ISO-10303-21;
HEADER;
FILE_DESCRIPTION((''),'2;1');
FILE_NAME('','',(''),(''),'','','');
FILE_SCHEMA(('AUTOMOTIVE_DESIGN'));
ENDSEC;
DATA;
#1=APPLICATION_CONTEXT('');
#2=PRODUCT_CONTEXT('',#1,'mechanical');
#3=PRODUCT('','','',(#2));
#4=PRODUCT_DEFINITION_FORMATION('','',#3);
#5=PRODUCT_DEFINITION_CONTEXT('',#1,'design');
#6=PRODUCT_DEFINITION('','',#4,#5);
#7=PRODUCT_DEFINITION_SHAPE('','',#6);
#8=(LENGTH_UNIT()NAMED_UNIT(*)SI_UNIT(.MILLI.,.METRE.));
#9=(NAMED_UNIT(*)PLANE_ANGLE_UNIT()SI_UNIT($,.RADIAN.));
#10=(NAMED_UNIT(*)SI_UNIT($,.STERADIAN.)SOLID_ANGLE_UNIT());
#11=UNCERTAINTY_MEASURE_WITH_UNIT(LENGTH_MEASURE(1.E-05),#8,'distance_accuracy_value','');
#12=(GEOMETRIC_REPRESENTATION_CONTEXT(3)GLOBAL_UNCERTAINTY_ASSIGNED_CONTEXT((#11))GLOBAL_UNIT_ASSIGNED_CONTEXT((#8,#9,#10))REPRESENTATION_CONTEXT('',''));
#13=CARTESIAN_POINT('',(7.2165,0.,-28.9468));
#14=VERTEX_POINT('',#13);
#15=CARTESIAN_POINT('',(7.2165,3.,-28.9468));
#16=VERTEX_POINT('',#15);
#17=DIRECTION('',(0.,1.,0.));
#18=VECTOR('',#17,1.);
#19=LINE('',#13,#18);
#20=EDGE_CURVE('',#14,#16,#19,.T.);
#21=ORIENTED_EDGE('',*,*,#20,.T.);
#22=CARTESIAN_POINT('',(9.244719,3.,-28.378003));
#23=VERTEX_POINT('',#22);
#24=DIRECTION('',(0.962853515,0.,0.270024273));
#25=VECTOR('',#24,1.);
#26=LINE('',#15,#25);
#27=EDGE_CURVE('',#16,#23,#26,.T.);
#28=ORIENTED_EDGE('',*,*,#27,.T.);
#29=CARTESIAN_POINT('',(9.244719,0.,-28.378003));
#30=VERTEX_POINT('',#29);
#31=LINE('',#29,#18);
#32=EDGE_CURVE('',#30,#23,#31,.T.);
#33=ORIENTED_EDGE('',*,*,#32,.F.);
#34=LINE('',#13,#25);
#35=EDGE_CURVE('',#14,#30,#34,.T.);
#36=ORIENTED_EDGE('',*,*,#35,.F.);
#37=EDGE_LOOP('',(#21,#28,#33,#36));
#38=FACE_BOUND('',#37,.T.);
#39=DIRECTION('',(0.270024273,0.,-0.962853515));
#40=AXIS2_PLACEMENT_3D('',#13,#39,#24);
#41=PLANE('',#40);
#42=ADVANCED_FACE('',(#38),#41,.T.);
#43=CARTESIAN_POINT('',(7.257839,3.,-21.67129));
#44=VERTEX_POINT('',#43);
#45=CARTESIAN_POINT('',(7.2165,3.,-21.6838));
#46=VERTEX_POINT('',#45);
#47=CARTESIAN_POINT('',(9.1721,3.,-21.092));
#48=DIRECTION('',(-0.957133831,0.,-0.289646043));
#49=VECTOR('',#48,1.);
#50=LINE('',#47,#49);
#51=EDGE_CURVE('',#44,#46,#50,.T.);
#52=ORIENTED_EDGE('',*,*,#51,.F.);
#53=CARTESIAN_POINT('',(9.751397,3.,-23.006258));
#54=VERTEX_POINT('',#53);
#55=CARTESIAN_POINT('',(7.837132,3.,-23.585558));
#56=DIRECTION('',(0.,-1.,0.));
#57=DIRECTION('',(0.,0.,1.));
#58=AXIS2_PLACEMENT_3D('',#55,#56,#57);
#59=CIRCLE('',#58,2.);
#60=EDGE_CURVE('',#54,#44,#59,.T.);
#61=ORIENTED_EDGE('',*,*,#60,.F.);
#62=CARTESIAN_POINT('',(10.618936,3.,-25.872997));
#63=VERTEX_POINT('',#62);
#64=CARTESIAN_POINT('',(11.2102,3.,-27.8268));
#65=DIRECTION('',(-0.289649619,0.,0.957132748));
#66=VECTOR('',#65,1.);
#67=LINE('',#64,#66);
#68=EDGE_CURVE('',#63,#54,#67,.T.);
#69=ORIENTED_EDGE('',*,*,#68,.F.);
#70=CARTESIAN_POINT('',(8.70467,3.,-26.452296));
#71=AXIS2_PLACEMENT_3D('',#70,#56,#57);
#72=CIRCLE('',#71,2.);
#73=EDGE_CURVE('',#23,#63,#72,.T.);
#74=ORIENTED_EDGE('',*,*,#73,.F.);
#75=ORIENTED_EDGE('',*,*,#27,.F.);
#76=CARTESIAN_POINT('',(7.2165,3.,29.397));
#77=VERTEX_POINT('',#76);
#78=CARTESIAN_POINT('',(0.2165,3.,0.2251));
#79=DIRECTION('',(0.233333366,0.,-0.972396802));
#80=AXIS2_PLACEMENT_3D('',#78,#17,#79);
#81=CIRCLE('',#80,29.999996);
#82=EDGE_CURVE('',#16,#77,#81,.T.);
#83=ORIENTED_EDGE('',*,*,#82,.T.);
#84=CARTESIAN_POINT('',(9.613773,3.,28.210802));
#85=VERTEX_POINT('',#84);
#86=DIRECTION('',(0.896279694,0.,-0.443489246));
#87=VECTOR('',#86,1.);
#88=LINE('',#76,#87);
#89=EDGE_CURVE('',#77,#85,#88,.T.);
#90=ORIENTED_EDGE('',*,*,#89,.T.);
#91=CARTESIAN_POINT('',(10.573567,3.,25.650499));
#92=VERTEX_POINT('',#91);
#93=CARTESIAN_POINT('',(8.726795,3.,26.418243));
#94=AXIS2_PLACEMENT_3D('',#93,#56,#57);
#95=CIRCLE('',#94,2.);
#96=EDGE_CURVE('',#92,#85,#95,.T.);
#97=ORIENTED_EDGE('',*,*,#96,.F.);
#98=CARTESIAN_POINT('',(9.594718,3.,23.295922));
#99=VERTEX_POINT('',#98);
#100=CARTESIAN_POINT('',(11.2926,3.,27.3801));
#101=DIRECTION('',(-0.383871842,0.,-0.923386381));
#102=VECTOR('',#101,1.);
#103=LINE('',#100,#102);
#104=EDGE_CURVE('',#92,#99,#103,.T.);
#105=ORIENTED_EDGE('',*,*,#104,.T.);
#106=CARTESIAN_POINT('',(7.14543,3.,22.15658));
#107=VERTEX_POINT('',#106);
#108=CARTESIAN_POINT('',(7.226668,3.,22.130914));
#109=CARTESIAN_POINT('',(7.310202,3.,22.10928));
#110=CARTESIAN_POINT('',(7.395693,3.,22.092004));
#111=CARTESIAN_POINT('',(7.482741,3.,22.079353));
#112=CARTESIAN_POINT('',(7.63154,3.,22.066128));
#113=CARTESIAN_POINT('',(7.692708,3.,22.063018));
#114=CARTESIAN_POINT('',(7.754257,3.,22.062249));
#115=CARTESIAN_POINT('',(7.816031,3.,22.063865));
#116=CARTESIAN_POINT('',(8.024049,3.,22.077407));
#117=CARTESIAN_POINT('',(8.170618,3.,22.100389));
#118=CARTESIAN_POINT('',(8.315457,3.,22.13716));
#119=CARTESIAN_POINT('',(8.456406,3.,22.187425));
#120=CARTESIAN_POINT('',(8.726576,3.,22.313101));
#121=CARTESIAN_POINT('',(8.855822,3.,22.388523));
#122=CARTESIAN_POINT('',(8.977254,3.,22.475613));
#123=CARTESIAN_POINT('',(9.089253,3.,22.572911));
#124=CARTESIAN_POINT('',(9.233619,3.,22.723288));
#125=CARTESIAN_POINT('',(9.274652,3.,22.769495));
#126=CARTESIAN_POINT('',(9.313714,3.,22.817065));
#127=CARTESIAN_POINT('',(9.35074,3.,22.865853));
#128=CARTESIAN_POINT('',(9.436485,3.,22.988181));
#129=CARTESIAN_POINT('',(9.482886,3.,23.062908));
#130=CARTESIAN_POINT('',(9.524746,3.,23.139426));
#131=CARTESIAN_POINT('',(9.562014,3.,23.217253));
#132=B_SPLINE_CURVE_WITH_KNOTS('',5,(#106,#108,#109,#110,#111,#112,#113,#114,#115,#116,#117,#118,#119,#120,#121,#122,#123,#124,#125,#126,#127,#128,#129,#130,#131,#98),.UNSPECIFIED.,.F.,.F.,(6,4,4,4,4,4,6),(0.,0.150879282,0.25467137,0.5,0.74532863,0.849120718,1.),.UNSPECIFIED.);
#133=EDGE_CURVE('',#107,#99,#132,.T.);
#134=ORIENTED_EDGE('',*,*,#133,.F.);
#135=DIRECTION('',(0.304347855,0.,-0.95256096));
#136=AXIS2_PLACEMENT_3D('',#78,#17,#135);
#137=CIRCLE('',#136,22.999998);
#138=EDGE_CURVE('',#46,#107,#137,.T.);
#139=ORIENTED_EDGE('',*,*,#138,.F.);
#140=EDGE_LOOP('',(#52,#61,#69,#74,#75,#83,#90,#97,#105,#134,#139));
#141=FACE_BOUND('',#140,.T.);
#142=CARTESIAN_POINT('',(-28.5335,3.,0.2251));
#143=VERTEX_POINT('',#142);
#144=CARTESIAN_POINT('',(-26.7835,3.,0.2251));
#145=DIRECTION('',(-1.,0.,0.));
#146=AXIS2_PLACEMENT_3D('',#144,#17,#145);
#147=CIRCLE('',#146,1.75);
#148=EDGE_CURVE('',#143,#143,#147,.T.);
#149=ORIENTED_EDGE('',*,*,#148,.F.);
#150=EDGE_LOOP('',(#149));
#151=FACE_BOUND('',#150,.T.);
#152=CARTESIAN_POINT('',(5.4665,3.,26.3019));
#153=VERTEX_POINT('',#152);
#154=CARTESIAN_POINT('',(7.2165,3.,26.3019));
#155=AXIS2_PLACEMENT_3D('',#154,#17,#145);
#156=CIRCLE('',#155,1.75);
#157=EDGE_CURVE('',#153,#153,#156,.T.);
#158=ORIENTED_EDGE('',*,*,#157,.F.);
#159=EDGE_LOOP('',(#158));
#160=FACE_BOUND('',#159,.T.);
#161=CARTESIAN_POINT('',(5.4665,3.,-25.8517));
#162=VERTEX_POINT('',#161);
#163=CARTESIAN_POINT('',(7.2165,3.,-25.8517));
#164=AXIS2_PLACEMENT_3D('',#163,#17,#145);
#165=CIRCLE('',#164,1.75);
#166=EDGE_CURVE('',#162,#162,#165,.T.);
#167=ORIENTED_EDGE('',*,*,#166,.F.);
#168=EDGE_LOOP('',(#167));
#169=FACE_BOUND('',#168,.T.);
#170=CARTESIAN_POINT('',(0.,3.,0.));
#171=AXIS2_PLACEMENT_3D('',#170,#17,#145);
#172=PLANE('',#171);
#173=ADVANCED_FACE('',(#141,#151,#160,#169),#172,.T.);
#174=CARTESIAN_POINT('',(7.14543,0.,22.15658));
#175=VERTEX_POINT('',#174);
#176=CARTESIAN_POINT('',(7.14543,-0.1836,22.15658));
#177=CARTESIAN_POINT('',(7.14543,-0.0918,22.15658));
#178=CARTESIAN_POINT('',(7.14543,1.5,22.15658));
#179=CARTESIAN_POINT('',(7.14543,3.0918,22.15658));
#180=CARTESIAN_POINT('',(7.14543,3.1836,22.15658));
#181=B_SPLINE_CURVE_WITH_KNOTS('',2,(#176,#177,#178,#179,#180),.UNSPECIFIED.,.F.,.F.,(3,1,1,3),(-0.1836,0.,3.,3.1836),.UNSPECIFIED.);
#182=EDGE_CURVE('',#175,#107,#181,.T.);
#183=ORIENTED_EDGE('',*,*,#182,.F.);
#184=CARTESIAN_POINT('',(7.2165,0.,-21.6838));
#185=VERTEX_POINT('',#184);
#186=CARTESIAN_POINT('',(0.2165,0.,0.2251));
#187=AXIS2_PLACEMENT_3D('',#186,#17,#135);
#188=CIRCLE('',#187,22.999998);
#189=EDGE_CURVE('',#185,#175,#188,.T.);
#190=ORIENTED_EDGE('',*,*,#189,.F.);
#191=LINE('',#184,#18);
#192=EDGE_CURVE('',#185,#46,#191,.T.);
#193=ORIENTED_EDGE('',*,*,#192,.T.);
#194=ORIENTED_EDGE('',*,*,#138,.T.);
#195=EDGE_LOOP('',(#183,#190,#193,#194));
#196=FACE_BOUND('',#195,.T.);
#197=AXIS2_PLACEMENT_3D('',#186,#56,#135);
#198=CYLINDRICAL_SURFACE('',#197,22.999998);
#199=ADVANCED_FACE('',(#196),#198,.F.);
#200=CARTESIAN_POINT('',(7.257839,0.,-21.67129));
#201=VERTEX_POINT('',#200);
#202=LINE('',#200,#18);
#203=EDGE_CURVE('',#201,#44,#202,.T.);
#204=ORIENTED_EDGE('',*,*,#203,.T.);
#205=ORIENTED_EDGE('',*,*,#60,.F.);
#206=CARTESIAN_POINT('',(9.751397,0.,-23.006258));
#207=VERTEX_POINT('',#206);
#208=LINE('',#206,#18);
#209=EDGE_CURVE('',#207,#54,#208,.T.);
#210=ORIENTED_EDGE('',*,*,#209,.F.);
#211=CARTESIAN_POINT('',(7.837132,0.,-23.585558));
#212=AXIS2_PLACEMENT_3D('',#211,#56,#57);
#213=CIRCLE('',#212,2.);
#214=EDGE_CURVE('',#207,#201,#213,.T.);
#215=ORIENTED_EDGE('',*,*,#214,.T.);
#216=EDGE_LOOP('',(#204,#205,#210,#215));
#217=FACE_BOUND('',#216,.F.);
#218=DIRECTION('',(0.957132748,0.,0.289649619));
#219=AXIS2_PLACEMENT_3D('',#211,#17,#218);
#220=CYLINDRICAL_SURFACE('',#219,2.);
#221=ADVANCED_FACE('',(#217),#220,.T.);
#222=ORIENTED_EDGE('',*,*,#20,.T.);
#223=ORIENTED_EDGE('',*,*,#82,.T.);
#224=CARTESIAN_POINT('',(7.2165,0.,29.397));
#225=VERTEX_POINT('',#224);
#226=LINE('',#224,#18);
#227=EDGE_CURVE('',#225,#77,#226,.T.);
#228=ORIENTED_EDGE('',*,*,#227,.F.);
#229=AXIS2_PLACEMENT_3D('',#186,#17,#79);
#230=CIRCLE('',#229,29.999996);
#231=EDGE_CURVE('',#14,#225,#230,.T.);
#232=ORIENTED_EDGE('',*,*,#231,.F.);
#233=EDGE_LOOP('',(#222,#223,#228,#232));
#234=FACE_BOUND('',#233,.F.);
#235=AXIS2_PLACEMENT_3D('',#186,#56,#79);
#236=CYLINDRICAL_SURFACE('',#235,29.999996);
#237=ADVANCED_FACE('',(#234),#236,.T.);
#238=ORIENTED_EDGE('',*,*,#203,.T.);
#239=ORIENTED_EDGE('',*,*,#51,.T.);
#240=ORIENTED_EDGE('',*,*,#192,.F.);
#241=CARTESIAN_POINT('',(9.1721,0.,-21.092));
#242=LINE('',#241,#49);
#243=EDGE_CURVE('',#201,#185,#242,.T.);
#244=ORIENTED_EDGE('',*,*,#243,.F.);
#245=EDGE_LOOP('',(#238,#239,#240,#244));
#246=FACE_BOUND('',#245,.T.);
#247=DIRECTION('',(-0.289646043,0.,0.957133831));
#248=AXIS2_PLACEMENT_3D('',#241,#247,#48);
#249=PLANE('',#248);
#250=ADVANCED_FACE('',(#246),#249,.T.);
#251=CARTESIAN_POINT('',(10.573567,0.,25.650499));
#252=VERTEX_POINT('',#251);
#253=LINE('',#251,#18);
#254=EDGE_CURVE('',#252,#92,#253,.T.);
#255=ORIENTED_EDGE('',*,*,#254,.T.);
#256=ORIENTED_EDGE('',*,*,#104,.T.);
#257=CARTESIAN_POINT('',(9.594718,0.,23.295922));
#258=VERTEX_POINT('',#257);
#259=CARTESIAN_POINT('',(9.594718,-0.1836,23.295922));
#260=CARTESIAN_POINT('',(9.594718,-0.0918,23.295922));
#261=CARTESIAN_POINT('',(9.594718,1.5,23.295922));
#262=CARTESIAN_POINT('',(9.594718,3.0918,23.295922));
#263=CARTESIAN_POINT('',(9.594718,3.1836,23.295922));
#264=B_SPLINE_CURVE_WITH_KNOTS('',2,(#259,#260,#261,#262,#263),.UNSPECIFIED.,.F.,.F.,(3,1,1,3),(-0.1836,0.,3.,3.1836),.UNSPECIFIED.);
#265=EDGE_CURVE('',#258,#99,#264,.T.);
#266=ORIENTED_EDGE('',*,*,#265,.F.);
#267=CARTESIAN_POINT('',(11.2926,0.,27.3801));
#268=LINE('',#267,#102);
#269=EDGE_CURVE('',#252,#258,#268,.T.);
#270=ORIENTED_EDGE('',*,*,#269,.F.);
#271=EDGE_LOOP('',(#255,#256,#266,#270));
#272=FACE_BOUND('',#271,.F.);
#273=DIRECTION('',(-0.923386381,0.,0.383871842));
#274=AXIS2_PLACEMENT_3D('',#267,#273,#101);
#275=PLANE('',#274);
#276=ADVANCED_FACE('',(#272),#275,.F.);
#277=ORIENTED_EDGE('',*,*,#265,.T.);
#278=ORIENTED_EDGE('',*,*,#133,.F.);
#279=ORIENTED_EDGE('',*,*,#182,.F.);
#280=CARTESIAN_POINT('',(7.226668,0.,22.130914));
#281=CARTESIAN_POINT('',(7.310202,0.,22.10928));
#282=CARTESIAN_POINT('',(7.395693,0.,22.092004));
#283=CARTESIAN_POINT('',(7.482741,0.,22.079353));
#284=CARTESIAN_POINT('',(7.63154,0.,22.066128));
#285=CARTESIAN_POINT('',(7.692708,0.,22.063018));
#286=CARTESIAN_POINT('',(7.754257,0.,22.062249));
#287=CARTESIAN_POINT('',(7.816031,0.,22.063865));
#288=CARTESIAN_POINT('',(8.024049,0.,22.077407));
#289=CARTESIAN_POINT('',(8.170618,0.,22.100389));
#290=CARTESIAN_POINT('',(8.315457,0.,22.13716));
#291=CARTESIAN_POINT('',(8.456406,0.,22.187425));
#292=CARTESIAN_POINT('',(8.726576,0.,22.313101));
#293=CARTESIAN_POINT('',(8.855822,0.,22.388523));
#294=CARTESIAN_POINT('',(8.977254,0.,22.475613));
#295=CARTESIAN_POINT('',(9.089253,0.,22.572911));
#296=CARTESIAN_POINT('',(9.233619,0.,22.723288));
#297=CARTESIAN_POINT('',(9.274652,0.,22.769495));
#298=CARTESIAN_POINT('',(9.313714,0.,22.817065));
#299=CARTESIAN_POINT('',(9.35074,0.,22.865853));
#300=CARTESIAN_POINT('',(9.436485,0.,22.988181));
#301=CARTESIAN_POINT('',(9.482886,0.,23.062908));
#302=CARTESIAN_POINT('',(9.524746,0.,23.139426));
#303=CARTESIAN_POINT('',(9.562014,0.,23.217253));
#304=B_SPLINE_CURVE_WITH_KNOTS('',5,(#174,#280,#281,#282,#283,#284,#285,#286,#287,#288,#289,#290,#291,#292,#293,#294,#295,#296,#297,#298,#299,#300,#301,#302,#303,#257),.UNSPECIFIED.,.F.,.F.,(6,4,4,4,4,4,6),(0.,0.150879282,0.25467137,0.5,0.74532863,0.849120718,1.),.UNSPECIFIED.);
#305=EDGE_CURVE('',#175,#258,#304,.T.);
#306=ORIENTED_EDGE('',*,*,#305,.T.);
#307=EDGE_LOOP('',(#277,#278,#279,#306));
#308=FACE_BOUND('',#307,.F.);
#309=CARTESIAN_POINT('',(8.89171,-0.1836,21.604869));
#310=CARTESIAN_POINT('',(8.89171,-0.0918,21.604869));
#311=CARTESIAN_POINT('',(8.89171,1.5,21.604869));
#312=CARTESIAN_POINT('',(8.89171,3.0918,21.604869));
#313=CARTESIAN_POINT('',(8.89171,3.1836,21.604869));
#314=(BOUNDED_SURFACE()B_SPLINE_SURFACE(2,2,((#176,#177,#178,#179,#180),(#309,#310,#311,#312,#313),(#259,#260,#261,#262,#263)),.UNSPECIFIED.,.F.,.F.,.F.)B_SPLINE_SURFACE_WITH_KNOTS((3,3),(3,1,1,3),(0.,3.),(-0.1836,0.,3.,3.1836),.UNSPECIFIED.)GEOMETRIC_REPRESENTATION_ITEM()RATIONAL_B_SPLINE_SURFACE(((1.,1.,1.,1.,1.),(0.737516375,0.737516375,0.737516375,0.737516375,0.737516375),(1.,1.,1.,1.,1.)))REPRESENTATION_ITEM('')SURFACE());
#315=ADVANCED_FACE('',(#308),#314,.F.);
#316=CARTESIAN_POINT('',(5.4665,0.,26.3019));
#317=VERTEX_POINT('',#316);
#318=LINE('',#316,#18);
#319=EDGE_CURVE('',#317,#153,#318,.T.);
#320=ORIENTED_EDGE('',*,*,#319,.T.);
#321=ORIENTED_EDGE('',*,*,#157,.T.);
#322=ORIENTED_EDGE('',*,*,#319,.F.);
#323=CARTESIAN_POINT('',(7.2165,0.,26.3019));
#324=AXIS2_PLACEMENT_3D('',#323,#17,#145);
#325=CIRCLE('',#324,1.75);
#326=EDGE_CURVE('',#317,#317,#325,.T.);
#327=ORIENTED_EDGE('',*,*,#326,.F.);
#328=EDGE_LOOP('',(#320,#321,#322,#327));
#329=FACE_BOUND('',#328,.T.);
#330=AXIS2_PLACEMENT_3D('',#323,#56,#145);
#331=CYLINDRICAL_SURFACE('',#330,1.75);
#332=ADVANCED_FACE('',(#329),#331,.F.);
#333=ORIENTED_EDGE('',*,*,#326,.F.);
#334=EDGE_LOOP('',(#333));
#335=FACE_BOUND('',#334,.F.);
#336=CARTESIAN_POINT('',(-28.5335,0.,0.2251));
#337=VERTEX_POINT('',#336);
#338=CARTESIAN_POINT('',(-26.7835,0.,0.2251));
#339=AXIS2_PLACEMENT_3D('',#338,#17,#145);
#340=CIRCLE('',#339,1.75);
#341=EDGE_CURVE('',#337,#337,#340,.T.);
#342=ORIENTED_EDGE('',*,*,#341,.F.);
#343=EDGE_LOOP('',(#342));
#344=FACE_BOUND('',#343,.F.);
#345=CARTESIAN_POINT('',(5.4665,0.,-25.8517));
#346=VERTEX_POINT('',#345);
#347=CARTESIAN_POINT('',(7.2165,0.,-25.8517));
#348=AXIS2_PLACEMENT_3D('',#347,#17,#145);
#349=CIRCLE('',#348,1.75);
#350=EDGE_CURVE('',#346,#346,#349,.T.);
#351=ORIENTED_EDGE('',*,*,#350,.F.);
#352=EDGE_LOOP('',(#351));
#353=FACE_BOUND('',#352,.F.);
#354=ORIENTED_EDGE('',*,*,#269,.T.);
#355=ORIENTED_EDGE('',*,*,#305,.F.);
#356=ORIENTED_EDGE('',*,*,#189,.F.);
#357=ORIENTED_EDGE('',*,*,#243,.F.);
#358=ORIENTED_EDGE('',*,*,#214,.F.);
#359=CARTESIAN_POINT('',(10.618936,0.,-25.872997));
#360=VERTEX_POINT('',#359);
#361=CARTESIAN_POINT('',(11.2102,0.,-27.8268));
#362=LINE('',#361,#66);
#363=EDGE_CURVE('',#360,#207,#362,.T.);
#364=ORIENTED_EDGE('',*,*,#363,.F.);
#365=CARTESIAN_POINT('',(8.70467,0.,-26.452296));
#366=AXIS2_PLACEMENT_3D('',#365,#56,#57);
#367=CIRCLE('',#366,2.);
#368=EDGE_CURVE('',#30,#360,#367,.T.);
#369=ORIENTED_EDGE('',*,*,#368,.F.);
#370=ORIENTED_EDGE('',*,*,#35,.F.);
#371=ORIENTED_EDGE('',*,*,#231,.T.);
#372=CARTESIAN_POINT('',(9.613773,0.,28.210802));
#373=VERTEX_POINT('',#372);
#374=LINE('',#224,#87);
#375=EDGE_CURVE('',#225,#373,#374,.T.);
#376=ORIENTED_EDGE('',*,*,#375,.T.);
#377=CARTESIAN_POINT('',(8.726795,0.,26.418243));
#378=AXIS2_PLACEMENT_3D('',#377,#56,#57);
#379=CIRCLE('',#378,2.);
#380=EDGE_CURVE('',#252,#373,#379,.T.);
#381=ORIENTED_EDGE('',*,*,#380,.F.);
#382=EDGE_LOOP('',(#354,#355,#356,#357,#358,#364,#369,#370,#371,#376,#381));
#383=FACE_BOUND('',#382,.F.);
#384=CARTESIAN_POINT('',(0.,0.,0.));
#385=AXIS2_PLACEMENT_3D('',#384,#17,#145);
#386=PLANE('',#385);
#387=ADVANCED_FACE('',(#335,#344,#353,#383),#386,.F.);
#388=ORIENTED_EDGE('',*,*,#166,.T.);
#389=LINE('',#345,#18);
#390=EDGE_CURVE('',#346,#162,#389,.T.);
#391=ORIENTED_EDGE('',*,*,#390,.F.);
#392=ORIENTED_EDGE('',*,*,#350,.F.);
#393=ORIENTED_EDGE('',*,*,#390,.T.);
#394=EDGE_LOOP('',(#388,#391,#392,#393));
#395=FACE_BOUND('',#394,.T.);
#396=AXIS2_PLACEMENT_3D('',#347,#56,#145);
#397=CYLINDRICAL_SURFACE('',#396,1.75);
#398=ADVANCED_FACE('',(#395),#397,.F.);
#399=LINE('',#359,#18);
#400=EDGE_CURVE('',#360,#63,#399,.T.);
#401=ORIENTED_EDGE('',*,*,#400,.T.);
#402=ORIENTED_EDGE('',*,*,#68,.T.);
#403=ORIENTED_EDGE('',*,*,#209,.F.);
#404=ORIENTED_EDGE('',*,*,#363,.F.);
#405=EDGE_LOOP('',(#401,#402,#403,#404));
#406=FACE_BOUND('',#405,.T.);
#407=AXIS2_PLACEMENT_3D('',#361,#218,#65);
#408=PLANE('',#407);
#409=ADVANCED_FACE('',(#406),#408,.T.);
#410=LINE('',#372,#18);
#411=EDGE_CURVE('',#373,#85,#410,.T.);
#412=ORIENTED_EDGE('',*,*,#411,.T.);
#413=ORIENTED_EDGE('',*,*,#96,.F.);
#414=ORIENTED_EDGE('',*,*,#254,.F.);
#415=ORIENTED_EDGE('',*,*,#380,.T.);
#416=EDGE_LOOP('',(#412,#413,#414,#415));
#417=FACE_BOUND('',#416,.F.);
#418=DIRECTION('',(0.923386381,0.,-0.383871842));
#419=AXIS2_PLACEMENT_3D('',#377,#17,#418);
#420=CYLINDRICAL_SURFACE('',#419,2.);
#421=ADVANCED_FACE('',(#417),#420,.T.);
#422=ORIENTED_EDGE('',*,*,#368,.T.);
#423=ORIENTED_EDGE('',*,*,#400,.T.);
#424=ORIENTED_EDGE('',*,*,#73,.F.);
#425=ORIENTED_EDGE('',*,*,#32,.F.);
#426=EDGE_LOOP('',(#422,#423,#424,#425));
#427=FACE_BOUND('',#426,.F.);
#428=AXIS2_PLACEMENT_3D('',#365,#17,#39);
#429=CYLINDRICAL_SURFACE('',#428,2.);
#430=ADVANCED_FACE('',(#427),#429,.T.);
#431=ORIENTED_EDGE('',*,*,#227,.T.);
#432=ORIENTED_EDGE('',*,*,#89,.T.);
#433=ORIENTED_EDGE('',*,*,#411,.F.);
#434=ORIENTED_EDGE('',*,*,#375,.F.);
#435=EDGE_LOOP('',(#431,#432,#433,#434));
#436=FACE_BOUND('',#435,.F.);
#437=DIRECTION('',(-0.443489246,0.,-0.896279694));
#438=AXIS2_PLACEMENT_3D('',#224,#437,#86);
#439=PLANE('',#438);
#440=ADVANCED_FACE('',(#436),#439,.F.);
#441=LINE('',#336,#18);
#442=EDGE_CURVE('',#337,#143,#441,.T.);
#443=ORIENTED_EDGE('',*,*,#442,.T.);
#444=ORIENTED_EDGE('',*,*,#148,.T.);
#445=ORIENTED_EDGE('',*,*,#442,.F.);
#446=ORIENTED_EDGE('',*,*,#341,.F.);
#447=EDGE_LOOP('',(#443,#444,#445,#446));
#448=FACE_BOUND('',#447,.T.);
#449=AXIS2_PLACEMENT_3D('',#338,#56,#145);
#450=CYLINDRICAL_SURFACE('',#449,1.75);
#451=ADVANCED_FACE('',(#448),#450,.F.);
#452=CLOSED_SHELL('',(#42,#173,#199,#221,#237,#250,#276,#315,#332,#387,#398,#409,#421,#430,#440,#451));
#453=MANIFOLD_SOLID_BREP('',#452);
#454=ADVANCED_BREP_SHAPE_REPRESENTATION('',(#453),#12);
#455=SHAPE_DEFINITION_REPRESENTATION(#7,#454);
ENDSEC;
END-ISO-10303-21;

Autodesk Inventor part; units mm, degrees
ref_plane "YZ Plane" through (0, 0, 0) normal (1, 0, 0) x (0, 1, 0)
ref_plane "XZ Plane" through (0, 0, 0) normal (0, 1, 0) x (-1, 0, 0)
ref_plane "XY Plane" through (0, 0, 0) normal (0, 0, 1) x (1, 0, 0)
sketch "Sketch1" plane through (0, 0, 0) normal (0, 1, 0) x (-1, 0, 0)
  arc A0 (-7.2165, -28.9468) -> (-7.2165, 29.397) centre (-0.2165, 0.2251) ccw
  arc A1 (-7.2165, -25.8517) -> (-7.2165, 26.3019) centre (-0.2165, 0.2251) ccw construction
  arc A2 (-7.2165, -21.6838) -> (-7.2165, 22.134) centre (-0.2165, 0.2251) ccw
  line L0 (-7.2165, 33.9307) -> (-7.2165, -32.8883) construction
  circle A3 centre (-7.2165, 26.3019) radius 1.75
  circle A4 centre (-7.2165, -25.8517) radius 1.75
  circle A5 centre (26.7835, 0.2251) radius 1.75
  line L1 (-7.2165, 29.397) -> (-11.2926, 27.3801)
  line L2 (-11.2926, 27.3801) -> (-8.8324, 21.4622)
  line L3 (-8.8324, 21.4622) -> (-7.2165, 22.134)
  line L4 (-7.2165, -28.9468) -> (-11.2102, -27.8268)
  line L5 (-11.2102, -27.8268) -> (-9.1721, -21.092)
  line L6 (-9.1721, -21.092) -> (-7.2165, -21.6838)
  dimension "d14" = 54
  dimension "d16" = 46
  dimension "d17" = 30
  dimension "d19" = 3.5
  dimension "d20" = 3.5
  dimension "d21" = 7
  dimension "d22" = 3.5
extrude "Extrusion1" add sketch "Sketch1" along normal blind 3
fillet "Fillet1" radius 2 4 edges at (11.2926, 1.5, 27.3801) (8.8324, 1.5, 21.4622) (11.2102, 1.5, -27.8268) (9.1721, 1.5, -21.092)
properties part number "reverse gear reverse lever ring"
